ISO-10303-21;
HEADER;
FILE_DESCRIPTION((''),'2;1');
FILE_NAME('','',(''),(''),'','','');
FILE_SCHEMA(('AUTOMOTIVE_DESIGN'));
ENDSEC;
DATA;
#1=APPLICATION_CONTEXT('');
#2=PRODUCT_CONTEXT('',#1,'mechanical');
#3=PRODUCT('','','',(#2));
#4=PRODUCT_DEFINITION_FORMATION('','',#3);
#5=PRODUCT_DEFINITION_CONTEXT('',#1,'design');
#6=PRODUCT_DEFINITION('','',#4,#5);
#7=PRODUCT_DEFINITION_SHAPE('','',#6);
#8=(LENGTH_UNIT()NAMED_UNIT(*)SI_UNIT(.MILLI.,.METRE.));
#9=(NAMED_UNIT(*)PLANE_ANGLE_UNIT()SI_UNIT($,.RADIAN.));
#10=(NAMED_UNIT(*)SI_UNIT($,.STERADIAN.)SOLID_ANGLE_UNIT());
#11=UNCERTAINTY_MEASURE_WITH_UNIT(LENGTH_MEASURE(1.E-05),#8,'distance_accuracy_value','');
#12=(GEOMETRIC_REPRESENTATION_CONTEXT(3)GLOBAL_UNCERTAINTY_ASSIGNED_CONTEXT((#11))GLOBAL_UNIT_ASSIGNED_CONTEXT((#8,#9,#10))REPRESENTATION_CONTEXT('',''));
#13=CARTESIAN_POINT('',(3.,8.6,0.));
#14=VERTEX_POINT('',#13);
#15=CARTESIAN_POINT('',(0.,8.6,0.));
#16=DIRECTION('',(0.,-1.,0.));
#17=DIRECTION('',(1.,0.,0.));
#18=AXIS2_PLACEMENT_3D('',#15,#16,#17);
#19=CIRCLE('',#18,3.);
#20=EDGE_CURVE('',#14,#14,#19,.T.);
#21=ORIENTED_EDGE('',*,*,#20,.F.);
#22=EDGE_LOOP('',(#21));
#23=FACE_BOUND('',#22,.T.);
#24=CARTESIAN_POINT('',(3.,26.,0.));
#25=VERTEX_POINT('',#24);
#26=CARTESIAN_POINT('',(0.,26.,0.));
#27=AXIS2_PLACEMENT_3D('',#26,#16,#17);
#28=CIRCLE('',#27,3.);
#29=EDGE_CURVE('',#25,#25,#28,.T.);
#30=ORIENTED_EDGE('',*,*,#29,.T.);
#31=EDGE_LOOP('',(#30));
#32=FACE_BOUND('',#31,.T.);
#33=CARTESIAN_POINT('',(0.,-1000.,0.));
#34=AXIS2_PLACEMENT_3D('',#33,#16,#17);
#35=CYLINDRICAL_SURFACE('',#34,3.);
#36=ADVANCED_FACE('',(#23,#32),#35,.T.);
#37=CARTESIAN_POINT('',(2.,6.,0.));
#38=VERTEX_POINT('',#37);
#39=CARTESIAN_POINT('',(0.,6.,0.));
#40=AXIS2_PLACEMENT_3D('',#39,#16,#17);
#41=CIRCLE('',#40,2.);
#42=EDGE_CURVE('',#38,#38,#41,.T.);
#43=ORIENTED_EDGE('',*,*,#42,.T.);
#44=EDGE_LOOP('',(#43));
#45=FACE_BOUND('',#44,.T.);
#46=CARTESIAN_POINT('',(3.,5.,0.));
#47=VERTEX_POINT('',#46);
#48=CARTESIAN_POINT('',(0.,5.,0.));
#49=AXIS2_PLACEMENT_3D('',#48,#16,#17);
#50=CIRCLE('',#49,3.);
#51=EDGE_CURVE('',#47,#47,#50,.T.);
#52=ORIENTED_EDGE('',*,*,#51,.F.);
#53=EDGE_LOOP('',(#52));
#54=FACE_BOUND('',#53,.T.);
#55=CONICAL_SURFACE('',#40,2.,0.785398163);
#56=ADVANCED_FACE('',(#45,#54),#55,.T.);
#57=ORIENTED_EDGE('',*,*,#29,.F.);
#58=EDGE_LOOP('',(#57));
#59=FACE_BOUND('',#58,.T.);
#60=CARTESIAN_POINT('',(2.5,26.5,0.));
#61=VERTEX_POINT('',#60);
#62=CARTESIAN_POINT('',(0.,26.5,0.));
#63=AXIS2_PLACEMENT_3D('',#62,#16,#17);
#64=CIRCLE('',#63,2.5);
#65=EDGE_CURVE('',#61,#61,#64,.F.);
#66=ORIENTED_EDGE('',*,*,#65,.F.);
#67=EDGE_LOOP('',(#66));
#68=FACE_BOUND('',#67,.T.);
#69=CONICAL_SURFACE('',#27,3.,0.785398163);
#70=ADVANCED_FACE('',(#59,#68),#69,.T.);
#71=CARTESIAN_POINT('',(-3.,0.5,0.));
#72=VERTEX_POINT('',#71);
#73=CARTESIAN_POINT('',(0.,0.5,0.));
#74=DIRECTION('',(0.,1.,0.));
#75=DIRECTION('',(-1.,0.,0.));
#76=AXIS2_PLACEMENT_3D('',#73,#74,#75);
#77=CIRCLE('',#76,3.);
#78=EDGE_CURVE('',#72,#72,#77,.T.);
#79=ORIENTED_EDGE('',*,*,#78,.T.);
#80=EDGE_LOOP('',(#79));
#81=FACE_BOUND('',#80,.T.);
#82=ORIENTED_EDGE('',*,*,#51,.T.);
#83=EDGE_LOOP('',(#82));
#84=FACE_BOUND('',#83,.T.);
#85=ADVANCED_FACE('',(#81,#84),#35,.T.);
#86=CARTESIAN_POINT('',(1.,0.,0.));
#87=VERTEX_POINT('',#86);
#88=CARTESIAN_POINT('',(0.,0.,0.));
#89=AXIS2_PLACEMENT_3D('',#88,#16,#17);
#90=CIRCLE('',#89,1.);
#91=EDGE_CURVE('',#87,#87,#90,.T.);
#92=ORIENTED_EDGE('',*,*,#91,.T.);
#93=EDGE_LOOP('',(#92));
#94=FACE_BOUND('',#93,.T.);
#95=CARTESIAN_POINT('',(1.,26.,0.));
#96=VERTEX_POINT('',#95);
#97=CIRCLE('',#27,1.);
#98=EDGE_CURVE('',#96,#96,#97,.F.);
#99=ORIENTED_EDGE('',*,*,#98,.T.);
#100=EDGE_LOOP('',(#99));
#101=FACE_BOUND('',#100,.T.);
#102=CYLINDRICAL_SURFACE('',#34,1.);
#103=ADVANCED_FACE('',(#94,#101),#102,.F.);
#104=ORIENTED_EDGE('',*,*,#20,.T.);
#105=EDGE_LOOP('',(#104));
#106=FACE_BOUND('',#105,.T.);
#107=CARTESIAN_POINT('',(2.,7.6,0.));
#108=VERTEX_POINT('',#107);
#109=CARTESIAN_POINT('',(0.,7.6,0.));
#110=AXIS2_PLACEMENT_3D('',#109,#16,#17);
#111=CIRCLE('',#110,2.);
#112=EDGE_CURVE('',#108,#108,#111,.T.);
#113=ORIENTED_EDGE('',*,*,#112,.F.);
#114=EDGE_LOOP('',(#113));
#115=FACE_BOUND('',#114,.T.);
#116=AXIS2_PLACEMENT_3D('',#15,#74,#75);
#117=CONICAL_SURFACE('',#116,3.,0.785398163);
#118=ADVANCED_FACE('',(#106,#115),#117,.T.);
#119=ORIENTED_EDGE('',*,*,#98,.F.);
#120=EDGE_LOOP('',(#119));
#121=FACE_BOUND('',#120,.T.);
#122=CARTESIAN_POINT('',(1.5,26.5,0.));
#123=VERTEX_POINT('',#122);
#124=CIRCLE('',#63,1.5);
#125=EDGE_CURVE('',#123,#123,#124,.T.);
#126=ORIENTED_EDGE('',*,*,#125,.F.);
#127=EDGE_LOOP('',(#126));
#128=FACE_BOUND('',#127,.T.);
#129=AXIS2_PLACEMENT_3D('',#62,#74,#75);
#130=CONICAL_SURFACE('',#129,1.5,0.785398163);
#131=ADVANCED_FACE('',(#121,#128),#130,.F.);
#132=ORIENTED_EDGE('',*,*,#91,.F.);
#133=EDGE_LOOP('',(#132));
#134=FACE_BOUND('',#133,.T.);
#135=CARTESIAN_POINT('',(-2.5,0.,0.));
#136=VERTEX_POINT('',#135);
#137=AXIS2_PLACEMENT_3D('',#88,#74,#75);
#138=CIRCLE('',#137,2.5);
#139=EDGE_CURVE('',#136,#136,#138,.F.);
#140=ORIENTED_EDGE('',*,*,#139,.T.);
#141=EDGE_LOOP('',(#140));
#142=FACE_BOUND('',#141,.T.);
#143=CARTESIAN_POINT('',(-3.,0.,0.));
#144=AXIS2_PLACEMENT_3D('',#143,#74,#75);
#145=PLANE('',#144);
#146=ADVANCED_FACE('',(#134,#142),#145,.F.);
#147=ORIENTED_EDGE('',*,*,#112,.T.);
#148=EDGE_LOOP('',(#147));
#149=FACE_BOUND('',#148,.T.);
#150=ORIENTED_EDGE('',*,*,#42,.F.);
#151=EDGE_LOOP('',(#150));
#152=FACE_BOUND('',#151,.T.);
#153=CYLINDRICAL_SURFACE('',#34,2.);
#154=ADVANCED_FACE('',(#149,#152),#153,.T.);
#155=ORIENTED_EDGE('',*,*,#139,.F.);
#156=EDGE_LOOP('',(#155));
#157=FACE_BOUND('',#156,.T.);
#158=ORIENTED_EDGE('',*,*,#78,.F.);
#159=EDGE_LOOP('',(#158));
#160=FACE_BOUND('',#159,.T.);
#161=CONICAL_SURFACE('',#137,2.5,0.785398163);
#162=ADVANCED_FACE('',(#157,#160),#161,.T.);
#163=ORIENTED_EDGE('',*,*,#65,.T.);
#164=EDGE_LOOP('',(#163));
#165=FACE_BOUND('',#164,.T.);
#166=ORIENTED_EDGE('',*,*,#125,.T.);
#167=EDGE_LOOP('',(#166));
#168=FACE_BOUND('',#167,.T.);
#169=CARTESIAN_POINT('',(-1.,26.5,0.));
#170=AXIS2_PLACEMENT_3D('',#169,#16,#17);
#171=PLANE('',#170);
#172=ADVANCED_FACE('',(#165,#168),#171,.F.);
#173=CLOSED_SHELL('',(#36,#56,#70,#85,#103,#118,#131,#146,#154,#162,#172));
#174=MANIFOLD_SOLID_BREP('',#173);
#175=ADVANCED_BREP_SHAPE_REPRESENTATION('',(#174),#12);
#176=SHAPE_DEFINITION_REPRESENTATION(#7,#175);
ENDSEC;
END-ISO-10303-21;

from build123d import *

# Parameters (mm, degrees)
CHAMFER2_SIZE = 0.5


with BuildPart() as part:
    # Sketch4 → Revolve1 (revolve)
    with BuildSketch(Plane.XY):
        Polygon((-1, 0), (-1, 26.5), (-3, 26.5), (-3, 8.6), (-2, 7.6), (-2, 6), (-3, 5), (-3, 0), align=None)
    revolve(axis=Axis((0, -1000, 0), (0, 1, 0)))

    # Chamfer2
    chamfer2_edges = [part.edges().sort_by_distance(p)[0] for p in [
        (3, 0, 0),
        (3, 26.5, 0),
        (1, 26.5, 0),
    ]]
    chamfer(chamfer2_edges, length=CHAMFER2_SIZE)


solid = part.part
